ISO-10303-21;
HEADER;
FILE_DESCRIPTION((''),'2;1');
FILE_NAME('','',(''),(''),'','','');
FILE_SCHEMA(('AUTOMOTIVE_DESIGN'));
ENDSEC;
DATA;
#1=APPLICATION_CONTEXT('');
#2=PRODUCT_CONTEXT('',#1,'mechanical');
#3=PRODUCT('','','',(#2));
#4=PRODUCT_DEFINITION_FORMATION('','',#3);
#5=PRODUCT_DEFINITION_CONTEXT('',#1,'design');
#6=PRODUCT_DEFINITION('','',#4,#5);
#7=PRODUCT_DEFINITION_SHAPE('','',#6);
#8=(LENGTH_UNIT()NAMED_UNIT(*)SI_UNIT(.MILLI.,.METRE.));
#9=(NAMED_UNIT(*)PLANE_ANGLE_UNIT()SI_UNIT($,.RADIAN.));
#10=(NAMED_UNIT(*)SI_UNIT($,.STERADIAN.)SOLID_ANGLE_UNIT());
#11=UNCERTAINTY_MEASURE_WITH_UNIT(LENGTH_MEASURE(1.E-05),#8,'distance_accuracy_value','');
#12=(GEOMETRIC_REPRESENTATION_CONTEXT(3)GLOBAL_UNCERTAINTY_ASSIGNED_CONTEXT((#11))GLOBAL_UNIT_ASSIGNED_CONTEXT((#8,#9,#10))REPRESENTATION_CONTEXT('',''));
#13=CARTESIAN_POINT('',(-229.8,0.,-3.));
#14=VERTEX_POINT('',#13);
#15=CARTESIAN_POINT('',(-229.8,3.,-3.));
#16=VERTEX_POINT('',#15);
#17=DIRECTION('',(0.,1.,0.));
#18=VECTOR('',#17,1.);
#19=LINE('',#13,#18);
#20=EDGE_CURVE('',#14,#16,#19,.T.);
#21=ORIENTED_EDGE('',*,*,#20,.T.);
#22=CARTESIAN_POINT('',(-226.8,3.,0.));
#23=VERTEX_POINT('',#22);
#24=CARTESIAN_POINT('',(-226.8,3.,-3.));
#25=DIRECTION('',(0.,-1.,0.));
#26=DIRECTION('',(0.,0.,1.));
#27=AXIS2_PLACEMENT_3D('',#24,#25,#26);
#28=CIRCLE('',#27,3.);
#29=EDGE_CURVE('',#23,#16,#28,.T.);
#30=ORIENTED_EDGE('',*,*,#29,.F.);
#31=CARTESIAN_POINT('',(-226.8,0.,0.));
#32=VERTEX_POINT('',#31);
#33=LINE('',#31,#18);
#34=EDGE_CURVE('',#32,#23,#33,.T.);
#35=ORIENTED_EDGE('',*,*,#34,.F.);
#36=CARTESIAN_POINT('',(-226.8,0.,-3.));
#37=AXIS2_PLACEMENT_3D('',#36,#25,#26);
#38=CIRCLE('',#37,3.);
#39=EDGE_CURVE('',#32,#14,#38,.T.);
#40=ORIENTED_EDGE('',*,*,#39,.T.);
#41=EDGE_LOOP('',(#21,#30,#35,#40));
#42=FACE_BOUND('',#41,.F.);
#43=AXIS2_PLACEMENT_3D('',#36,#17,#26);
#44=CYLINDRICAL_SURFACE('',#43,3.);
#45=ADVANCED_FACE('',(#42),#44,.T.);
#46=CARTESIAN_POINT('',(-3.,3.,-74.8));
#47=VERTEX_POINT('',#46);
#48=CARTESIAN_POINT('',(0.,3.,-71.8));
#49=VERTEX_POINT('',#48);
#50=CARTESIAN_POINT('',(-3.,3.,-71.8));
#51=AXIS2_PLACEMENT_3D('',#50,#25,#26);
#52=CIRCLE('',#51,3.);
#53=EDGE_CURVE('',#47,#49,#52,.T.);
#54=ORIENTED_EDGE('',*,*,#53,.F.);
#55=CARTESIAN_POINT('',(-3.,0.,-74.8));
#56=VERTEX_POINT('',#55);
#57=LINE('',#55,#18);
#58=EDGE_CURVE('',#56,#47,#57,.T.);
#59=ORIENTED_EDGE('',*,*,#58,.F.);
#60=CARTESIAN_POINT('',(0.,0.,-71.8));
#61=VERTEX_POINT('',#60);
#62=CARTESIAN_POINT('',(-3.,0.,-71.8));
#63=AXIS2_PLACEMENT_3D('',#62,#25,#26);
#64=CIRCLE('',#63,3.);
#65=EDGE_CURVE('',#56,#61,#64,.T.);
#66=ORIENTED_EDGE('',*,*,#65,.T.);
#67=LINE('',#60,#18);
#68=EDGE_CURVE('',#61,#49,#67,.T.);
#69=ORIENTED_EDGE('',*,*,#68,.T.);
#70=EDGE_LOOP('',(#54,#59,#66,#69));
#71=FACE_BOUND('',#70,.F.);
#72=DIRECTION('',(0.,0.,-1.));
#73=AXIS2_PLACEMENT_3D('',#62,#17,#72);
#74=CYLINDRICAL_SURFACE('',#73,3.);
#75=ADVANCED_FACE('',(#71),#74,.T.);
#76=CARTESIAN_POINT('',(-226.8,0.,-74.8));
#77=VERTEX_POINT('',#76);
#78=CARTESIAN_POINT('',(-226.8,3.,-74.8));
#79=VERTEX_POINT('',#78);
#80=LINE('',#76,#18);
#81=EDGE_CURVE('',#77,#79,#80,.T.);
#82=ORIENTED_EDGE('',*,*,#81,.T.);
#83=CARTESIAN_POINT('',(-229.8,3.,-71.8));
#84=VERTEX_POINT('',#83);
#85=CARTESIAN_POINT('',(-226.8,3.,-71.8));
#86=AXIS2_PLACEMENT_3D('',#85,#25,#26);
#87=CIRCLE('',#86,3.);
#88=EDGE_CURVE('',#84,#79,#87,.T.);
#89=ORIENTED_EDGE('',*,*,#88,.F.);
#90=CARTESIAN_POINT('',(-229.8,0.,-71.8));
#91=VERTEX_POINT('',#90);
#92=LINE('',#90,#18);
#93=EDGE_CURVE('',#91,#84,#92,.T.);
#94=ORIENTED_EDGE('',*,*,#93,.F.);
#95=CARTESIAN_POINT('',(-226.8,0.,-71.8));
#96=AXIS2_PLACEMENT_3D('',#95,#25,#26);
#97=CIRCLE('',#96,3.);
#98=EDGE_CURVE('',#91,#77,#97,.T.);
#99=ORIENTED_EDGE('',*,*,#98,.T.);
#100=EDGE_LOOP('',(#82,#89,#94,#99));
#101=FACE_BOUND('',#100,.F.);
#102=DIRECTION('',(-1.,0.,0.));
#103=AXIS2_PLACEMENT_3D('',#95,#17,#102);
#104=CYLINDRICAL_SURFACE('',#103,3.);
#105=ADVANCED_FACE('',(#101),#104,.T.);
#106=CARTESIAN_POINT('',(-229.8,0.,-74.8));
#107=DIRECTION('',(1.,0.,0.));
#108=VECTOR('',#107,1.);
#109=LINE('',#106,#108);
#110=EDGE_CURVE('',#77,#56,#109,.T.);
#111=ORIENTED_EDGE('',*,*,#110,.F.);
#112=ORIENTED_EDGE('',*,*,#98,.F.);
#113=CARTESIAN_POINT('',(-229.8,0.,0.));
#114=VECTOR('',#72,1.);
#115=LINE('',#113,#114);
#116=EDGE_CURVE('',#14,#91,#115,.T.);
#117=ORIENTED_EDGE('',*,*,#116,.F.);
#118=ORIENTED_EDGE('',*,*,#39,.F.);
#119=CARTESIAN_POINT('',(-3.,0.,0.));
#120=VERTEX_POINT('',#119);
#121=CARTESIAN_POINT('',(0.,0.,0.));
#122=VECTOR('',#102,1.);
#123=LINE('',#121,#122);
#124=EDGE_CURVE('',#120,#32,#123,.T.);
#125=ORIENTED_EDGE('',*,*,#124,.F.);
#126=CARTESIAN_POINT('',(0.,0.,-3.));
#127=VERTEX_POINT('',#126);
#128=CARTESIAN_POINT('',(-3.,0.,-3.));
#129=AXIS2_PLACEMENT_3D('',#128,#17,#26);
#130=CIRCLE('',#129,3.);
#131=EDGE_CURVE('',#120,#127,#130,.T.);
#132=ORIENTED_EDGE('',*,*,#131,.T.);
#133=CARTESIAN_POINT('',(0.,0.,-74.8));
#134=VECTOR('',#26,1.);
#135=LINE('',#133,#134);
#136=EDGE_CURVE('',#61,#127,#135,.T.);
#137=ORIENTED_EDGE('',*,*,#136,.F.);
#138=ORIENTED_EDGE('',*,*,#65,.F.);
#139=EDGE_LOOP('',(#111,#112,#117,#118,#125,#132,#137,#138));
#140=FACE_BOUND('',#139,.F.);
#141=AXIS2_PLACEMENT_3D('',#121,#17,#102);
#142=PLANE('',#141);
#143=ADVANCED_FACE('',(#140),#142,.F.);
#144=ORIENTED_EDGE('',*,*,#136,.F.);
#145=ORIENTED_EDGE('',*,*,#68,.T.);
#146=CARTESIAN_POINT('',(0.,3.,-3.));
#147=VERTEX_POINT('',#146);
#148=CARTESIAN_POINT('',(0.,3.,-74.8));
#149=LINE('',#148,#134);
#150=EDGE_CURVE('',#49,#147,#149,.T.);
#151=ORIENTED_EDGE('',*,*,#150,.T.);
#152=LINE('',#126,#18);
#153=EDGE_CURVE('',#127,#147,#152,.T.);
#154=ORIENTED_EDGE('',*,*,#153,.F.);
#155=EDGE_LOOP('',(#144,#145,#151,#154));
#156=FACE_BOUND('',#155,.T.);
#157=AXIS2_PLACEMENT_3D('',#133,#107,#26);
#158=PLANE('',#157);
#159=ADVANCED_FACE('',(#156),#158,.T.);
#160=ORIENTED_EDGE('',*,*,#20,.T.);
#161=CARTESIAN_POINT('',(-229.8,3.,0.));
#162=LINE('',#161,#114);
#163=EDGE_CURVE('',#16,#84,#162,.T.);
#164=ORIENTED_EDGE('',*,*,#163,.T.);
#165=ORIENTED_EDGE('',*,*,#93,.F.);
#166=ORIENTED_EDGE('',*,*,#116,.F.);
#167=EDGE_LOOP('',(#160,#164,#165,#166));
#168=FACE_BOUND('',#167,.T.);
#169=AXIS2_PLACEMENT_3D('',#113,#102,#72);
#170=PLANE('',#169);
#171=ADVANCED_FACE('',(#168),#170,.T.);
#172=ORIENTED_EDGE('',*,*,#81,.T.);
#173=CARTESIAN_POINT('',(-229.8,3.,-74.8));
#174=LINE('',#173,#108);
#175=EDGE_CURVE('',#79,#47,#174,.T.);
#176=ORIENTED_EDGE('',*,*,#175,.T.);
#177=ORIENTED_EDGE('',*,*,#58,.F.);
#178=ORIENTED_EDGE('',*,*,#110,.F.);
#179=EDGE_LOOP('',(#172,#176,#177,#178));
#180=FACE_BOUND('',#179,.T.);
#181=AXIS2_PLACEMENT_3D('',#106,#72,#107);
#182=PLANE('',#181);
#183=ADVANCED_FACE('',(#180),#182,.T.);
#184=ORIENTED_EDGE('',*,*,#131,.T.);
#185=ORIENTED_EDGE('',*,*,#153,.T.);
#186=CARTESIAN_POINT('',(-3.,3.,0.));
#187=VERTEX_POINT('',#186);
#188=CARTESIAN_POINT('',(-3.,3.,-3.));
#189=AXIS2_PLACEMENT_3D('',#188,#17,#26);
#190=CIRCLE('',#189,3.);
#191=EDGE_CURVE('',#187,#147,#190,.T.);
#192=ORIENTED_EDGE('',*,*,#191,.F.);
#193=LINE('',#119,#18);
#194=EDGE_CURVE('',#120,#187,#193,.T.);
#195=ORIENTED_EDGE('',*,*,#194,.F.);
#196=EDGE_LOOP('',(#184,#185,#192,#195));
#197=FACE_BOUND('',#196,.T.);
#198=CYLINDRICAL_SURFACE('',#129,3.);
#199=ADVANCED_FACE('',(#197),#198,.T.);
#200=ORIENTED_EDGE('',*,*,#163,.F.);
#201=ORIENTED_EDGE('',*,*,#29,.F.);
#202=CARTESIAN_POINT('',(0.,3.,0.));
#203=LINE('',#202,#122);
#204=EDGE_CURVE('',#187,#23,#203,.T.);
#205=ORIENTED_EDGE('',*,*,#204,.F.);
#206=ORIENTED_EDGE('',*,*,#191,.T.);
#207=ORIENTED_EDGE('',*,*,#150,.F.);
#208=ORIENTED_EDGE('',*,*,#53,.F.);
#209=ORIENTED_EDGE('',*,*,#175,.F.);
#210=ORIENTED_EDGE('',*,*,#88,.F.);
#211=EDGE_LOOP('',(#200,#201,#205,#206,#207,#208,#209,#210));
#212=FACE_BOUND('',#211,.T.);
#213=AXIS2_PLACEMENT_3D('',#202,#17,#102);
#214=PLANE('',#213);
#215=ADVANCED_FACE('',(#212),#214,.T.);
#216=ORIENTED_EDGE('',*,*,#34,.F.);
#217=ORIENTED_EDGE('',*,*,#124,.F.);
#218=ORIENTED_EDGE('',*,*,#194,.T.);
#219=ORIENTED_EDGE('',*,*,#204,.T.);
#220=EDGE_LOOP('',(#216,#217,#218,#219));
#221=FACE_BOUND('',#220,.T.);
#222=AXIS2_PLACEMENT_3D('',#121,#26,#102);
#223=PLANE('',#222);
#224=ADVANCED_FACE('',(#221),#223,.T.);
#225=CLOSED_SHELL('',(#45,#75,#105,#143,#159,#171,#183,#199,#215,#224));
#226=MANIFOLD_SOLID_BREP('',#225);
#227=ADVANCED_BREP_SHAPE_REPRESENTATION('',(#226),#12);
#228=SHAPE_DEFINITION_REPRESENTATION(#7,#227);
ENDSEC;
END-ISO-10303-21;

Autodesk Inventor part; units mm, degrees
ref_plane "YZ Plane" through (0, 0, 0) normal (1, 0, 0) x (0, 1, 0)
ref_plane "XZ Plane" through (0, 0, 0) normal (0, 1, 0) x (-1, 0, 0)
ref_plane "XY Plane" through (0, 0, 0) normal (0, 0, 1) x (1, 0, 0)
sketch "Sketch1" plane through (0, 0, 0) normal (0, 1, 0) x (-1, 0, 0)
  line L0 (0, 0) -> (229.8, 0)
  line L1 (229.8, 0) -> (229.8, -74.8)
  line L2 (229.8, -74.8) -> (0, -74.8)
  line L3 (0, -74.8) -> (0, 0)
  dimension "d0" = 74.8
  dimension "d1" = 229.8
extrude "Extrusion1" add sketch "Sketch1" along normal blind 3
fillet "Fillet1" radius 3 4 edges at (0, 1.5, 0) (0, 1.5, -74.8) (-229.8, 1.5, 0) (-229.8, 1.5, -74.8)
properties part number "ChamberTop"
